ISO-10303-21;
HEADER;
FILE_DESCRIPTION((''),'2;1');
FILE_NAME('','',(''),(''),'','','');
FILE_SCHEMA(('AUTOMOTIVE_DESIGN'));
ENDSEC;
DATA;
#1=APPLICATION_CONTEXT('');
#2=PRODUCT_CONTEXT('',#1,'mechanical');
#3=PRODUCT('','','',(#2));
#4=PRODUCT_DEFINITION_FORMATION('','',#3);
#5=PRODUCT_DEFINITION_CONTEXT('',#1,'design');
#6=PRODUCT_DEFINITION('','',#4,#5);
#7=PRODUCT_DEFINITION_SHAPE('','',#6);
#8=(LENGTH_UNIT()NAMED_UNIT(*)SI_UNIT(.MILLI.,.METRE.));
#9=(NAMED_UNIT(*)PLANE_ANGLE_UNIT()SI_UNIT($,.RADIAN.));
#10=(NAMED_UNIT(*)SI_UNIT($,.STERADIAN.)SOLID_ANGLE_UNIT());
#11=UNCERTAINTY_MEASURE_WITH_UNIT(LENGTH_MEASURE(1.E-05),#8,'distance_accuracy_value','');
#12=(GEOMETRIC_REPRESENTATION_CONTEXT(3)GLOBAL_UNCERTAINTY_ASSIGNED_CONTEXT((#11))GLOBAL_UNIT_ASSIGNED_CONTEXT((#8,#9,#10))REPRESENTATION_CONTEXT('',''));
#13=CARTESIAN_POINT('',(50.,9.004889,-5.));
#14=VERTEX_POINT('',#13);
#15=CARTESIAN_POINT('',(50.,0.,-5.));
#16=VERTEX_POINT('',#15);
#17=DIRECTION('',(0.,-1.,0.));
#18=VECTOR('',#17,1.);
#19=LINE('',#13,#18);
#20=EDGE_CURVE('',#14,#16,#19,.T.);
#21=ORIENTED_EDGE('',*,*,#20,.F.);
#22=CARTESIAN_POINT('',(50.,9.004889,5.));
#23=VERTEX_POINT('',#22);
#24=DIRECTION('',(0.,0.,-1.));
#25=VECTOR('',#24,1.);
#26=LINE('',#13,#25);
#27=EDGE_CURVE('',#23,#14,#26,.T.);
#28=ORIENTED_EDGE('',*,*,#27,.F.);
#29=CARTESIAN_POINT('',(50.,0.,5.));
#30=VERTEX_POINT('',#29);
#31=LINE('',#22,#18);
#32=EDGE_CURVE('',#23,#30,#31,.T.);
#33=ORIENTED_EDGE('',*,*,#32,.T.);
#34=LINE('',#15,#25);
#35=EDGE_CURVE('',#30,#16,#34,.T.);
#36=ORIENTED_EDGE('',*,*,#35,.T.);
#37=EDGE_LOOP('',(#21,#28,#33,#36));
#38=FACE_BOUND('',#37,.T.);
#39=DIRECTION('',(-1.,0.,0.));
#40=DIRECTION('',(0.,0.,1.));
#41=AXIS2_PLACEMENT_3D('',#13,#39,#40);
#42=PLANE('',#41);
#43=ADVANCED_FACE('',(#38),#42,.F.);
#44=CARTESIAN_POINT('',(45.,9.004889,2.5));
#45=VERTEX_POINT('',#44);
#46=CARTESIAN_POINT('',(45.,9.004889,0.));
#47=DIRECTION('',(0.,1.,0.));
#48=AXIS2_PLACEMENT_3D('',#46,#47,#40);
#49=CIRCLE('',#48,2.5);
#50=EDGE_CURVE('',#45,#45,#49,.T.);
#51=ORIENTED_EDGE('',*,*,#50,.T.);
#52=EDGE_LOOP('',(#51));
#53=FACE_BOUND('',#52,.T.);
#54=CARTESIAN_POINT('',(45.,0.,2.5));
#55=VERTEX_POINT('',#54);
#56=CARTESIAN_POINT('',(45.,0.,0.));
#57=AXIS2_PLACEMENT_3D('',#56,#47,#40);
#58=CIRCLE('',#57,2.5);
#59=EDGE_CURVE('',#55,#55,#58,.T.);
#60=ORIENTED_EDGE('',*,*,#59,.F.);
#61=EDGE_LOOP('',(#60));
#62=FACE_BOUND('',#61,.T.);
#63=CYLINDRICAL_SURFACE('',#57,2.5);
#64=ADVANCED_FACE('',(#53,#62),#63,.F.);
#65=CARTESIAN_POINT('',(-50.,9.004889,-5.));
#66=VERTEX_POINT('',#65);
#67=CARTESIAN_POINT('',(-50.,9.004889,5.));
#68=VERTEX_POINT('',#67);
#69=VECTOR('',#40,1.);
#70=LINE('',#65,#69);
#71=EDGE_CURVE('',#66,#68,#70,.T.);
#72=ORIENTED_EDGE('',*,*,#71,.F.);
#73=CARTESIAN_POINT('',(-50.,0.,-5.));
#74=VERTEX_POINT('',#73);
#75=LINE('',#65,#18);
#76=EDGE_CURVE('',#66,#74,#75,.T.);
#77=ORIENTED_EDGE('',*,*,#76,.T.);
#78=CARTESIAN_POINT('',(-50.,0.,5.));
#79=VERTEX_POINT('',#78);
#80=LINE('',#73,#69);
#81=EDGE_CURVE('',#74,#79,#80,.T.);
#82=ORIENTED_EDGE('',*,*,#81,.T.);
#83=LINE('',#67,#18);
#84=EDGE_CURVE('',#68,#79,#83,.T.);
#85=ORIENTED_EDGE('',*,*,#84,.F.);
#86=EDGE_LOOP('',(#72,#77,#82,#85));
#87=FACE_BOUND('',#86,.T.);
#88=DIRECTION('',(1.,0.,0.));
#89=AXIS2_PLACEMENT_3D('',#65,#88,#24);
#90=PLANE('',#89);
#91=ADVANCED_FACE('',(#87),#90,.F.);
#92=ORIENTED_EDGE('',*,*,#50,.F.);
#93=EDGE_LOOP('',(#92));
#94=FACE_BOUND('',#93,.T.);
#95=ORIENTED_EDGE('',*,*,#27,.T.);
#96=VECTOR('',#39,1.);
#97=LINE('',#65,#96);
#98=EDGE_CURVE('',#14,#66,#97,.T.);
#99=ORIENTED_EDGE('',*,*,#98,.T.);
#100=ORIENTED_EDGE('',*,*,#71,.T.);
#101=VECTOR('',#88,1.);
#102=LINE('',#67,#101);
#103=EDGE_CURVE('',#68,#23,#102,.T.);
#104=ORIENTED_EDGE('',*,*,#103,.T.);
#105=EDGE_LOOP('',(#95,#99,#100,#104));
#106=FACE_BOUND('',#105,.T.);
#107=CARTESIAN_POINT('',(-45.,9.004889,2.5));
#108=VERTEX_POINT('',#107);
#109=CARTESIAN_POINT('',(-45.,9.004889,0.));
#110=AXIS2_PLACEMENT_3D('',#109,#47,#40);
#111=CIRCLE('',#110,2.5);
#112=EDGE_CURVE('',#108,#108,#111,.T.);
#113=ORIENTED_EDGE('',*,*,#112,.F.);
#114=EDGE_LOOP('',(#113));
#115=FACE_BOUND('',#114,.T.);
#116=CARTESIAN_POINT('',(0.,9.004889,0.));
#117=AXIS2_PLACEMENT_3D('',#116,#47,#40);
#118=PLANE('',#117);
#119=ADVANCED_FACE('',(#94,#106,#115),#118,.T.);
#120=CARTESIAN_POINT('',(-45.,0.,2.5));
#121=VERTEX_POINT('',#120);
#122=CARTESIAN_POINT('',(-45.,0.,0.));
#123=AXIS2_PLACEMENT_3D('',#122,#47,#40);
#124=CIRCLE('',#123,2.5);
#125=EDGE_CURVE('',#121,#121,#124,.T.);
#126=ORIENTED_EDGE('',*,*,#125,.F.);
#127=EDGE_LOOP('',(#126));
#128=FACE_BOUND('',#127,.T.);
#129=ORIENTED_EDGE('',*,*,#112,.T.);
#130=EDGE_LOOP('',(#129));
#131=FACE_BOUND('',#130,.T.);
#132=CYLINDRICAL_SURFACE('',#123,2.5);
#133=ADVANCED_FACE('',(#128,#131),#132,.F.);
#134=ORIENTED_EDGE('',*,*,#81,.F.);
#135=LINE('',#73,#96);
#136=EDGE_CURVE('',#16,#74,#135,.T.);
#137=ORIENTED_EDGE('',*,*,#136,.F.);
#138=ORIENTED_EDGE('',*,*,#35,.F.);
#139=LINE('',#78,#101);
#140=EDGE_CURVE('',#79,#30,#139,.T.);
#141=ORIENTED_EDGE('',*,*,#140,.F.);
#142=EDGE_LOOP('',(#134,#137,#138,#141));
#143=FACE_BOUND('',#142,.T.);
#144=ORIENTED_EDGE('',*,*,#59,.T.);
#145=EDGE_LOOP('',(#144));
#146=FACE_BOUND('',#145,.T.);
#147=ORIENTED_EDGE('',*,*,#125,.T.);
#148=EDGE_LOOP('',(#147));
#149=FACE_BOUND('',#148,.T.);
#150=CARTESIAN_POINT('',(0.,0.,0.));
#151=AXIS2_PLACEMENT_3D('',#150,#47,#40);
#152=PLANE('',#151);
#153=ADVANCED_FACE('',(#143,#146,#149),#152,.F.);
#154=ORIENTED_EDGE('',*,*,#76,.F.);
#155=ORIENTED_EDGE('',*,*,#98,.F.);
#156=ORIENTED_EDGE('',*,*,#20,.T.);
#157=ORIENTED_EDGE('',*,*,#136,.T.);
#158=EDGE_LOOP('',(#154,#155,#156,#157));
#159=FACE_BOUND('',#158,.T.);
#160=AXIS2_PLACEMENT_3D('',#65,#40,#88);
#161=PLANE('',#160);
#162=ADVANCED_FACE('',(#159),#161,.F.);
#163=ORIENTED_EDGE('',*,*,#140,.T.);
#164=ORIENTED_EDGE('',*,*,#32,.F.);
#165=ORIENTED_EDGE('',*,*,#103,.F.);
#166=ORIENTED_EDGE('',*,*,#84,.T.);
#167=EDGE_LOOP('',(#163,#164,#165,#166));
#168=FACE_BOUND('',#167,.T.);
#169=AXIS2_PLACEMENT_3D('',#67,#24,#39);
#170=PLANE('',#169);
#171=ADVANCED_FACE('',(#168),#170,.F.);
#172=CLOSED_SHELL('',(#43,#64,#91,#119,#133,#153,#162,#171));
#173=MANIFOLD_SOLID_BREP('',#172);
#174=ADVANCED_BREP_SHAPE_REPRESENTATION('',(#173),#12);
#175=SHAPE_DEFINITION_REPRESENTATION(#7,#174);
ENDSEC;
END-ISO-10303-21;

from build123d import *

# Parameters (mm, degrees)
SKETCH_V_W          = 100
SKETCH_V_H          = 10
BOSS_EXTRUDE1_DEPTH = 9.004889001
SKETCH2_R           = 2.5
CUT_EXTRUDE1_DEPTH  = 52.049858236


with BuildPart() as part:
    # Sketch v → Boss-Extrude1 (new body)
    with BuildSketch(Plane(origin=(0, 0, 0), x_dir=(1, 0, 0), z_dir=(0, 1, 0))):
        Rectangle(SKETCH_V_W, SKETCH_V_H)
    extrude(amount=BOSS_EXTRUDE1_DEPTH)

    # Sketch2 → Cut-Extrude1 (cut, through all)
    with BuildSketch(Plane(origin=(0, 9.004889001, 0), x_dir=(1, 0, 0), z_dir=(0, 1, 0))):
        with Locations(Location((-45, 0, 0), (0, 0, 270))):
            Circle(SKETCH2_R)
        with Locations(Location((45, 0, 0), (0, 0, 270))):
            Circle(SKETCH2_R)
    extrude(amount=-CUT_EXTRUDE1_DEPTH, mode=Mode.SUBTRACT)


solid = part.part
